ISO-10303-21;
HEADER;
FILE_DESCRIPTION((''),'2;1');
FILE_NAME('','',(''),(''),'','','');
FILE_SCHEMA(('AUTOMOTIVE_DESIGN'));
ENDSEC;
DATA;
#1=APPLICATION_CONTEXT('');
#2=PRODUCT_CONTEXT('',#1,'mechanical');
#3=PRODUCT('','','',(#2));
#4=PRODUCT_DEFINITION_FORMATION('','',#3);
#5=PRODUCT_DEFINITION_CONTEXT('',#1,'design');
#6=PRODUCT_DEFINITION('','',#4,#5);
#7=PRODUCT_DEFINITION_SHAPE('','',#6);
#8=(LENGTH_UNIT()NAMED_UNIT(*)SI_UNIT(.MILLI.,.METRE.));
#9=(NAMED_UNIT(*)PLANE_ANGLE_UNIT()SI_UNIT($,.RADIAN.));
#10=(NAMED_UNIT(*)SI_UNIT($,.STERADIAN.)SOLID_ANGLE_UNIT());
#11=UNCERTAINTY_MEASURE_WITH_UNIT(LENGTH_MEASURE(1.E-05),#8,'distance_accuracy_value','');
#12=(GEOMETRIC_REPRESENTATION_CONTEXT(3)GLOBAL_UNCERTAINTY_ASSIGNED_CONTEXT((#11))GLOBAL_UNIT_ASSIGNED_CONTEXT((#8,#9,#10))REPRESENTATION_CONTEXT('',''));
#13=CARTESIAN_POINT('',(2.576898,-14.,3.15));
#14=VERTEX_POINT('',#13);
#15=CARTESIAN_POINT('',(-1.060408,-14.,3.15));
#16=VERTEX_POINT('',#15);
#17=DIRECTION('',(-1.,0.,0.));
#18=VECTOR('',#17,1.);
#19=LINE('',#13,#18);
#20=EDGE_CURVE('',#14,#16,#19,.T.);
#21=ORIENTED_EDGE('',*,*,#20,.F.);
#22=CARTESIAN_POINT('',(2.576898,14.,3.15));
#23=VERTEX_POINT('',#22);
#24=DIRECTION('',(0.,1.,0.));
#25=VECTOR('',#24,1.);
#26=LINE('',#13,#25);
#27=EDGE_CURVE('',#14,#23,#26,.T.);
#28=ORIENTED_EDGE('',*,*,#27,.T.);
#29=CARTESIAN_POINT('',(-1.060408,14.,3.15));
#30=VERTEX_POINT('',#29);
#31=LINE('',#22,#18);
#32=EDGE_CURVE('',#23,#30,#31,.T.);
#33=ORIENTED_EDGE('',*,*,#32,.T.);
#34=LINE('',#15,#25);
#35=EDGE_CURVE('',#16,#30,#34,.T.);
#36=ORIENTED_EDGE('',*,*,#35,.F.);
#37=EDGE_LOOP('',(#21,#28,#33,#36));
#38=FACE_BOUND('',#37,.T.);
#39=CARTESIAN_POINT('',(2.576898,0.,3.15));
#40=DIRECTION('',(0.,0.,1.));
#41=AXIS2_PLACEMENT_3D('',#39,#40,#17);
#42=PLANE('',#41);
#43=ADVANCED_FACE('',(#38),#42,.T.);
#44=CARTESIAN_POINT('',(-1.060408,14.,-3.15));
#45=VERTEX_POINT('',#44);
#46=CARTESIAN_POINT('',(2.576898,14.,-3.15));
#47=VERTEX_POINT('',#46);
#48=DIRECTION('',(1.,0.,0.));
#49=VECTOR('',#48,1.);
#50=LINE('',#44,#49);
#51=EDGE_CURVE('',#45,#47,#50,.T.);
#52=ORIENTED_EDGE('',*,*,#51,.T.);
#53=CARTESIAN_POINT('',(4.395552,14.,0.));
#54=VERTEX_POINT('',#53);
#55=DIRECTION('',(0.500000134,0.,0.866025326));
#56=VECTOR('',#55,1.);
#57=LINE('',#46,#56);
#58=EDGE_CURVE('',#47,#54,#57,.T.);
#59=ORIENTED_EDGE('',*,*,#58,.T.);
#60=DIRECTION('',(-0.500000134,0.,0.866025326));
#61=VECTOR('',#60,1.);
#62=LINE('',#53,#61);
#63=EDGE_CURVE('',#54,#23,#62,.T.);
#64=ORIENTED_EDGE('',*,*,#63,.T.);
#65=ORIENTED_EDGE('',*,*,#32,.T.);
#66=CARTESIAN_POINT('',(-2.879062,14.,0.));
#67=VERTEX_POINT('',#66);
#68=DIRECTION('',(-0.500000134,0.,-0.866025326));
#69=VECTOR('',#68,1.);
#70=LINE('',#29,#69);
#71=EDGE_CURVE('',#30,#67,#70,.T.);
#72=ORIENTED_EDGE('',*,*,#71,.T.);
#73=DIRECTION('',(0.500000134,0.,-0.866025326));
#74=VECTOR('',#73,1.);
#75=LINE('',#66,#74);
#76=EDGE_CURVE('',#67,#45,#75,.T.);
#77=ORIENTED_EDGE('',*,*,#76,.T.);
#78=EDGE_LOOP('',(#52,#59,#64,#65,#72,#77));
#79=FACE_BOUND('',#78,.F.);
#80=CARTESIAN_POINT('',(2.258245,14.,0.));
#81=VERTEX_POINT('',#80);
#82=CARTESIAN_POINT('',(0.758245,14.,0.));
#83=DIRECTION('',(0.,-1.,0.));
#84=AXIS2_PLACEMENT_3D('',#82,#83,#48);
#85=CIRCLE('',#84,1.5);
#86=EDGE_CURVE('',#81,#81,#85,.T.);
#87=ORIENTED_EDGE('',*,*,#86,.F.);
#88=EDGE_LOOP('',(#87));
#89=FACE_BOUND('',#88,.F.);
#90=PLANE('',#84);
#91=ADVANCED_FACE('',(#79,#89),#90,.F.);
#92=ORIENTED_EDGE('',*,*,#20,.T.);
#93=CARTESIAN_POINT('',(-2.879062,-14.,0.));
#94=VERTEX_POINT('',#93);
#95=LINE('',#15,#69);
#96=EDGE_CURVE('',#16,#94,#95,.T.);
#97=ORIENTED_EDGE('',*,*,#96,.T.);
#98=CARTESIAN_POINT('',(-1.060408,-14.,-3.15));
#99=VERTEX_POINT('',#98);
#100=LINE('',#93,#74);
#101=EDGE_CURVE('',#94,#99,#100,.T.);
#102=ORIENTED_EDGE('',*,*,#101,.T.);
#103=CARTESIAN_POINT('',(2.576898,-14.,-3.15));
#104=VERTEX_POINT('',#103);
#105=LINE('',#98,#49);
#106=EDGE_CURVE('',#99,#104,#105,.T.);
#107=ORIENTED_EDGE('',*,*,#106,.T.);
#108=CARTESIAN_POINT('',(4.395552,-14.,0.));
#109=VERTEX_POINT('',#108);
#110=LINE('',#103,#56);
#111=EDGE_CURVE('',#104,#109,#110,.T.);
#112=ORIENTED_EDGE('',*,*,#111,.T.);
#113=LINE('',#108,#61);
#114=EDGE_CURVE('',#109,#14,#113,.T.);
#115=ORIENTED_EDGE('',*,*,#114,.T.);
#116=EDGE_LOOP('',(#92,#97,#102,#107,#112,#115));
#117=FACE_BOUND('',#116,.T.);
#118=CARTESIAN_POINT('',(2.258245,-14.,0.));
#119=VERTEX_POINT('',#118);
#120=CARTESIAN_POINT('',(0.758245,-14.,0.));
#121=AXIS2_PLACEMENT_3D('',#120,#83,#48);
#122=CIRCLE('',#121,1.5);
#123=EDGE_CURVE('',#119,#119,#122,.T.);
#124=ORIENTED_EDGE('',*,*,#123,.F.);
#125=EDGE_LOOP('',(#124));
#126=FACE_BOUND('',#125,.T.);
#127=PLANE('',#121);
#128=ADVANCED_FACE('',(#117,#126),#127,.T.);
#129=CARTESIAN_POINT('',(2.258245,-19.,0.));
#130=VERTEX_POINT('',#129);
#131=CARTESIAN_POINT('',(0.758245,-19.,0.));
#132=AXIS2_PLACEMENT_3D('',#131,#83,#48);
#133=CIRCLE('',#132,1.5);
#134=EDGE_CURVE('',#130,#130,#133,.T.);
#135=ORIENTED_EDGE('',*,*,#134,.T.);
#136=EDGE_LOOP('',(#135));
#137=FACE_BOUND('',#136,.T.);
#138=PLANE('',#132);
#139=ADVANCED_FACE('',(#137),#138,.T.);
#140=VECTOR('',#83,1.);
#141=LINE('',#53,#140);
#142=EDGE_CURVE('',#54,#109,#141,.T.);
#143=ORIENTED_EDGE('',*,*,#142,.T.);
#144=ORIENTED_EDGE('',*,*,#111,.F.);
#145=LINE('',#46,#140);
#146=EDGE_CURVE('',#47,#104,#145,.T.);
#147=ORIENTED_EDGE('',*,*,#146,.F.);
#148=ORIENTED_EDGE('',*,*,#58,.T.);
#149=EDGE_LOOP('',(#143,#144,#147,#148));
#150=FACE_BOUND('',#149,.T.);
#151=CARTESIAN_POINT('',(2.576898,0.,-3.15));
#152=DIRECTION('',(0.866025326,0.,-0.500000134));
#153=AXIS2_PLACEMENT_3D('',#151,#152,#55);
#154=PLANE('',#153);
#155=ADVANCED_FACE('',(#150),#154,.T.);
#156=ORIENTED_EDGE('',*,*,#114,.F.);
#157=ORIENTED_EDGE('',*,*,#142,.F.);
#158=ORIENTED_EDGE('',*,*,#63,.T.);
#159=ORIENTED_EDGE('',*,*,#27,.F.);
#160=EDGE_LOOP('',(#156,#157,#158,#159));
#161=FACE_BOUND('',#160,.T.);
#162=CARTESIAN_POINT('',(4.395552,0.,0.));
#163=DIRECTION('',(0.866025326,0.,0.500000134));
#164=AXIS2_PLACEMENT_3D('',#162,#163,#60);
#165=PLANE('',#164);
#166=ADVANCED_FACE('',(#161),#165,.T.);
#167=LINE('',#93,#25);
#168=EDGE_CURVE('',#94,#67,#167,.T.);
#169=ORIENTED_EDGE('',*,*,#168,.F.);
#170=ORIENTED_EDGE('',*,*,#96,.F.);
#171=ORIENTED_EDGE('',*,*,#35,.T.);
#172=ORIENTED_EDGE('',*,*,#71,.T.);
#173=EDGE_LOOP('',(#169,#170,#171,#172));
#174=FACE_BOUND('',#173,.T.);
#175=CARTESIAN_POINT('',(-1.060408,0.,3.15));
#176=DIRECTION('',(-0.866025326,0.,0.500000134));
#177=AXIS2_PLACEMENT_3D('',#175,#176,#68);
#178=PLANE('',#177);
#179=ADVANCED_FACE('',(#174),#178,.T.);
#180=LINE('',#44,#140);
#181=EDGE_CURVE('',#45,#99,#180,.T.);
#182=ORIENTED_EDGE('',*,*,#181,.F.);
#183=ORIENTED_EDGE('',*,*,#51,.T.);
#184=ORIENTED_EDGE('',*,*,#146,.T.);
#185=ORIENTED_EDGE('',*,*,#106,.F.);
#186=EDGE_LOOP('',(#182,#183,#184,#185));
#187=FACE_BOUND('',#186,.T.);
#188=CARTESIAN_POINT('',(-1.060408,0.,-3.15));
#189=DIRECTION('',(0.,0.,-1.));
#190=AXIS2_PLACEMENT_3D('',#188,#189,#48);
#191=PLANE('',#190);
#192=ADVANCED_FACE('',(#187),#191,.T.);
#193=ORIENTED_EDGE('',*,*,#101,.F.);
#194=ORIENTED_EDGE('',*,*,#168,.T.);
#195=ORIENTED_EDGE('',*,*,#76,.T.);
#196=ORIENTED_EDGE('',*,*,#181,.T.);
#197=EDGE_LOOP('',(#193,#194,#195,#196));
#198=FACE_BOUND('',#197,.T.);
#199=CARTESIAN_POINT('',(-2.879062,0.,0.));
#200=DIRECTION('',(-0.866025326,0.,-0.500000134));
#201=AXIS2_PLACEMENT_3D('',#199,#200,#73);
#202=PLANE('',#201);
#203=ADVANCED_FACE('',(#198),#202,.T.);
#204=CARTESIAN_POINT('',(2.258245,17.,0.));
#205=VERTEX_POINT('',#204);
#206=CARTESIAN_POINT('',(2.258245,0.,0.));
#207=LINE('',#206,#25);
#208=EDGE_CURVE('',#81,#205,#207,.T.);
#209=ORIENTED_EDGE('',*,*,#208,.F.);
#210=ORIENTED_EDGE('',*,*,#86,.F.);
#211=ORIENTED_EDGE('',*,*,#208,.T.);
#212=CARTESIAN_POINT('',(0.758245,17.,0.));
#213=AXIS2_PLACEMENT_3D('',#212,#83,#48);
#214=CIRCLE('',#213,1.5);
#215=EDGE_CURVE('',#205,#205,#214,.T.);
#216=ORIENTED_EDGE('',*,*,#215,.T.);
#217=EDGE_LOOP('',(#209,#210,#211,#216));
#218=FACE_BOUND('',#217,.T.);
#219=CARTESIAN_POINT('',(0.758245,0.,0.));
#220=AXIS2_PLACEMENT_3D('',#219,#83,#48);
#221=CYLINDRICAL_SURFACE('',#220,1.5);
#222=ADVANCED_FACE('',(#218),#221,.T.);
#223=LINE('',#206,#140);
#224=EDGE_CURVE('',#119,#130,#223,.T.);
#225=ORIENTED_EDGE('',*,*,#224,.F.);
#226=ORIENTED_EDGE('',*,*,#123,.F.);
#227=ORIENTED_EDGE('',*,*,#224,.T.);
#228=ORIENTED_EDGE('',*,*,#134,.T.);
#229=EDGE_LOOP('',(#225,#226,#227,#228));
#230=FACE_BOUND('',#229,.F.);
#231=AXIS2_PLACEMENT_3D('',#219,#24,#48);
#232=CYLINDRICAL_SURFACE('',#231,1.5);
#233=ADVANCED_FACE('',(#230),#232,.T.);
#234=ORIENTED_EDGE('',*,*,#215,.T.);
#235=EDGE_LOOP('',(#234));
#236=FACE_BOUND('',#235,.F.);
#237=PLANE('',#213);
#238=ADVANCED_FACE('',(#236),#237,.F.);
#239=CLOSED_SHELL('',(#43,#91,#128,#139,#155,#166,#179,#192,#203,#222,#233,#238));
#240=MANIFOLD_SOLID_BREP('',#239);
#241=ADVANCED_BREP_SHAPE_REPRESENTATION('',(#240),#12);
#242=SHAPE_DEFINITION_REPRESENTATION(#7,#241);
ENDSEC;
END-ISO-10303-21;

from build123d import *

# Parameters (mm, degrees)
F0_R     = 1.5
F1_DEPTH = 14
F2_DEPTH = 19
F3_DEPTH = 17


with BuildPart() as f1:
    # F0 (on Front) → F1 (new body, symmetric)
    with BuildSketch(Plane.XZ):
        Polygon((-2.879062, 0), (-1.060408, -3.15), (2.576898, -3.15), (4.395552, 0), (2.576898, 3.15), (-1.060408, 3.15), align=None)
        with Locations((0.758245, 0)):
            Circle(F0_R, mode=Mode.SUBTRACT)
    extrude(amount=F1_DEPTH, both=True)

    # F0 (on Front) → F2 (join)
    with BuildSketch(Plane.XZ):
        with Locations((0.758245, 0)):
            Circle(F0_R)
    extrude(amount=F2_DEPTH)

    # F0 (on Front) → F3 (join)
    with BuildSketch(Plane.XZ):
        with Locations((0.758245, 0)):
            Circle(F0_R)
    extrude(amount=-F3_DEPTH)


solid = f1.part
